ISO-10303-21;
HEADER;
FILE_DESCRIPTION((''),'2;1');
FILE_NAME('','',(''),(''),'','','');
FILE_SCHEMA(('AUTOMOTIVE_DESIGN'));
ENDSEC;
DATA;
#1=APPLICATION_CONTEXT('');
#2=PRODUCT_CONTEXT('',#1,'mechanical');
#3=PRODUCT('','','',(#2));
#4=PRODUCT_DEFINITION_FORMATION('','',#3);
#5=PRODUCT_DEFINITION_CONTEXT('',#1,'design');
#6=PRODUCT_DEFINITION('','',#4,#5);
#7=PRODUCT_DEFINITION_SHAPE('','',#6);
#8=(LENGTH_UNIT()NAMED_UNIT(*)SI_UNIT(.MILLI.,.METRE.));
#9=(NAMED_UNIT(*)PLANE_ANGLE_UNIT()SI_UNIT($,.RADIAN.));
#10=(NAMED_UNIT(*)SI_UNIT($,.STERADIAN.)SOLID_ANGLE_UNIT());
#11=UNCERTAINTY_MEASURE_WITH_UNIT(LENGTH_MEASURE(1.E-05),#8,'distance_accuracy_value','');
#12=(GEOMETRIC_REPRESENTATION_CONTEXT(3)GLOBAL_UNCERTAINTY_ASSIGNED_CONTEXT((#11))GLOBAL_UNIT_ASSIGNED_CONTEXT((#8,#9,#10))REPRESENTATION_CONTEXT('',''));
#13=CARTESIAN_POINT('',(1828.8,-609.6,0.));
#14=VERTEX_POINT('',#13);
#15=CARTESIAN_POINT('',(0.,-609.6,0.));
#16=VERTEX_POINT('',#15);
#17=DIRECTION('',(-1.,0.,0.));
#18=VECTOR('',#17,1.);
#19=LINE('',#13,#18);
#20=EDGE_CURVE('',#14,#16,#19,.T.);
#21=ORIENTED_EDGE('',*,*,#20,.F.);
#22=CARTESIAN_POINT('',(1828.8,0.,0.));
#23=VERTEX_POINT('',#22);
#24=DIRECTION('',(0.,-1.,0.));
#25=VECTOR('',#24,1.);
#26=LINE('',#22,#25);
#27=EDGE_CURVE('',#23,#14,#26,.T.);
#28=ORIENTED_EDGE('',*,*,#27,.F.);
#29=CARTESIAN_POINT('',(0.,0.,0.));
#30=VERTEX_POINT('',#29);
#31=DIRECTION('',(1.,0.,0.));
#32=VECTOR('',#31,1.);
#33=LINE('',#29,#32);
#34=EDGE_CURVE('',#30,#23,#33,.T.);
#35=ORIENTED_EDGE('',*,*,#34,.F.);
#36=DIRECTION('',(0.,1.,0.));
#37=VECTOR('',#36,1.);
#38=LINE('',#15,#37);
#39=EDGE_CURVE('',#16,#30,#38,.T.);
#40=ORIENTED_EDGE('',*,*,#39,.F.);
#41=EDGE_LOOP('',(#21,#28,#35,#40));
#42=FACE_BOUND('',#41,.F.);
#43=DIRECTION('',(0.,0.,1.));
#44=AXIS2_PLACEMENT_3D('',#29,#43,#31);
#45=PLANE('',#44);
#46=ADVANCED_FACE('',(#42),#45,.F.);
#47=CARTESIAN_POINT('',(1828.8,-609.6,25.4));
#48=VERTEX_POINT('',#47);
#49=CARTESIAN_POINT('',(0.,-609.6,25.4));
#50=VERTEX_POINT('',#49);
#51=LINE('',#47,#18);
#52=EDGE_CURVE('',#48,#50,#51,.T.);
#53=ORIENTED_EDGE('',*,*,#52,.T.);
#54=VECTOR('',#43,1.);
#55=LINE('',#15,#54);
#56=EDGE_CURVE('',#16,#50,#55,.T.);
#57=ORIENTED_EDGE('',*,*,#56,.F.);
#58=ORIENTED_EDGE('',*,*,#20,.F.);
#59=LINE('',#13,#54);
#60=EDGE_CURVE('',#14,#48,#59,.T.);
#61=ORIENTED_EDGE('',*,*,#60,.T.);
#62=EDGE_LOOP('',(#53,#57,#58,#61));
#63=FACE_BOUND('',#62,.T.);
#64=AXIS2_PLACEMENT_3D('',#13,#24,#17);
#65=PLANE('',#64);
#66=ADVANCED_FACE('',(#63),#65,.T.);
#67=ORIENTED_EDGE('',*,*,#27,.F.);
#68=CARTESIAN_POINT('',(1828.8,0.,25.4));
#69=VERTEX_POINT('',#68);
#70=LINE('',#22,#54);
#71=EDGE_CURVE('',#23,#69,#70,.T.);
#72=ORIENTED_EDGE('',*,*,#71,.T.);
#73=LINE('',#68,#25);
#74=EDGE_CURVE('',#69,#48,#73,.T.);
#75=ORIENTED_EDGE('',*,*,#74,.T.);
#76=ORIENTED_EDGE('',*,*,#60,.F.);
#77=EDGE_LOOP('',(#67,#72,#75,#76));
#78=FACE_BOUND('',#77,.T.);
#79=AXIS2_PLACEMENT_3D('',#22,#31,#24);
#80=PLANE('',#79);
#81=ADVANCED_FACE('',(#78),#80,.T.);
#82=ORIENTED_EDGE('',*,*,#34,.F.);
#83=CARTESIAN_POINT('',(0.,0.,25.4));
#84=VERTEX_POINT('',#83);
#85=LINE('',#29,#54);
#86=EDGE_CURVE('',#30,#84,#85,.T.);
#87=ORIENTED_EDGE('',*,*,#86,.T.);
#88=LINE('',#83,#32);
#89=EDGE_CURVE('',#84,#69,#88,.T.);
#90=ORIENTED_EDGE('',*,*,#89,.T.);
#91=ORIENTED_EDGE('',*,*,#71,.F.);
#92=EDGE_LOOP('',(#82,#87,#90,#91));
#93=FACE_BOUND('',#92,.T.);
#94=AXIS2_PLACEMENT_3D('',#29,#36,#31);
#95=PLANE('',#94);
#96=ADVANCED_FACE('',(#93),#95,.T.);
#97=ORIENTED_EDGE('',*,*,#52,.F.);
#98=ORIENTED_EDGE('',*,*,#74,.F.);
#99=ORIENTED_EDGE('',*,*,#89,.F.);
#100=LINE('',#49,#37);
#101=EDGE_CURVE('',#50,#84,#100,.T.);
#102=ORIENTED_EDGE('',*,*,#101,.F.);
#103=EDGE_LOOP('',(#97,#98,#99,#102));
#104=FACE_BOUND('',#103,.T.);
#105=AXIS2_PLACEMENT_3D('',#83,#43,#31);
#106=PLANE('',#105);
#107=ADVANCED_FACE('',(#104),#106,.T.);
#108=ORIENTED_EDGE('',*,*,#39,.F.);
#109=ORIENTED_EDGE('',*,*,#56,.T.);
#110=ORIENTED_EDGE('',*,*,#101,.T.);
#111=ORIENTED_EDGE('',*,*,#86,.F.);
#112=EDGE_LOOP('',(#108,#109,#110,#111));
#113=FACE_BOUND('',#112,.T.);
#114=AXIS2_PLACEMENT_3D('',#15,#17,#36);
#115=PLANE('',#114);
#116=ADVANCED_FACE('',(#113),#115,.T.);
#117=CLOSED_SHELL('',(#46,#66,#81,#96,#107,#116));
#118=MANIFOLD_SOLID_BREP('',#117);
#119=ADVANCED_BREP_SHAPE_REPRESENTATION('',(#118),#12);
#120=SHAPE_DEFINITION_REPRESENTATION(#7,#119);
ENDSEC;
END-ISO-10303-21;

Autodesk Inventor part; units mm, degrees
ref_plane "YZ Plane" through (0, 0, 0) normal (1, 0, 0) x (0, 1, 0)
ref_plane "XZ Plane" through (0, 0, 0) normal (0, 1, 0) x (-1, 0, 0)
ref_plane "XY Plane" through (0, 0, 0) normal (0, 0, 1) x (1, 0, 0)
sketch "Sketch1" plane through (0, 0, 0) normal (0, 0, 1) x (1, 0, 0)
  line L0 (0, 0) -> (1828.8, 0)
  line L1 (1828.8, 0) -> (1828.8, -609.6)
  line L2 (1828.8, -609.6) -> (0, -609.6)
  line L3 (0, -609.6) -> (0, 0)
  dimension "d0" = 1828.8
  dimension "d1" = 609.6
extrude "Extrusion1" add sketch "Sketch1" along normal blind 25.4
sketch "Sketch2" plane through (0, 0, 25.4) normal (0, 0, 1) x (1, 0, 0)
  point P0 (0, 0)
properties part number "rev1 base large wall backplane" material "Gold"
